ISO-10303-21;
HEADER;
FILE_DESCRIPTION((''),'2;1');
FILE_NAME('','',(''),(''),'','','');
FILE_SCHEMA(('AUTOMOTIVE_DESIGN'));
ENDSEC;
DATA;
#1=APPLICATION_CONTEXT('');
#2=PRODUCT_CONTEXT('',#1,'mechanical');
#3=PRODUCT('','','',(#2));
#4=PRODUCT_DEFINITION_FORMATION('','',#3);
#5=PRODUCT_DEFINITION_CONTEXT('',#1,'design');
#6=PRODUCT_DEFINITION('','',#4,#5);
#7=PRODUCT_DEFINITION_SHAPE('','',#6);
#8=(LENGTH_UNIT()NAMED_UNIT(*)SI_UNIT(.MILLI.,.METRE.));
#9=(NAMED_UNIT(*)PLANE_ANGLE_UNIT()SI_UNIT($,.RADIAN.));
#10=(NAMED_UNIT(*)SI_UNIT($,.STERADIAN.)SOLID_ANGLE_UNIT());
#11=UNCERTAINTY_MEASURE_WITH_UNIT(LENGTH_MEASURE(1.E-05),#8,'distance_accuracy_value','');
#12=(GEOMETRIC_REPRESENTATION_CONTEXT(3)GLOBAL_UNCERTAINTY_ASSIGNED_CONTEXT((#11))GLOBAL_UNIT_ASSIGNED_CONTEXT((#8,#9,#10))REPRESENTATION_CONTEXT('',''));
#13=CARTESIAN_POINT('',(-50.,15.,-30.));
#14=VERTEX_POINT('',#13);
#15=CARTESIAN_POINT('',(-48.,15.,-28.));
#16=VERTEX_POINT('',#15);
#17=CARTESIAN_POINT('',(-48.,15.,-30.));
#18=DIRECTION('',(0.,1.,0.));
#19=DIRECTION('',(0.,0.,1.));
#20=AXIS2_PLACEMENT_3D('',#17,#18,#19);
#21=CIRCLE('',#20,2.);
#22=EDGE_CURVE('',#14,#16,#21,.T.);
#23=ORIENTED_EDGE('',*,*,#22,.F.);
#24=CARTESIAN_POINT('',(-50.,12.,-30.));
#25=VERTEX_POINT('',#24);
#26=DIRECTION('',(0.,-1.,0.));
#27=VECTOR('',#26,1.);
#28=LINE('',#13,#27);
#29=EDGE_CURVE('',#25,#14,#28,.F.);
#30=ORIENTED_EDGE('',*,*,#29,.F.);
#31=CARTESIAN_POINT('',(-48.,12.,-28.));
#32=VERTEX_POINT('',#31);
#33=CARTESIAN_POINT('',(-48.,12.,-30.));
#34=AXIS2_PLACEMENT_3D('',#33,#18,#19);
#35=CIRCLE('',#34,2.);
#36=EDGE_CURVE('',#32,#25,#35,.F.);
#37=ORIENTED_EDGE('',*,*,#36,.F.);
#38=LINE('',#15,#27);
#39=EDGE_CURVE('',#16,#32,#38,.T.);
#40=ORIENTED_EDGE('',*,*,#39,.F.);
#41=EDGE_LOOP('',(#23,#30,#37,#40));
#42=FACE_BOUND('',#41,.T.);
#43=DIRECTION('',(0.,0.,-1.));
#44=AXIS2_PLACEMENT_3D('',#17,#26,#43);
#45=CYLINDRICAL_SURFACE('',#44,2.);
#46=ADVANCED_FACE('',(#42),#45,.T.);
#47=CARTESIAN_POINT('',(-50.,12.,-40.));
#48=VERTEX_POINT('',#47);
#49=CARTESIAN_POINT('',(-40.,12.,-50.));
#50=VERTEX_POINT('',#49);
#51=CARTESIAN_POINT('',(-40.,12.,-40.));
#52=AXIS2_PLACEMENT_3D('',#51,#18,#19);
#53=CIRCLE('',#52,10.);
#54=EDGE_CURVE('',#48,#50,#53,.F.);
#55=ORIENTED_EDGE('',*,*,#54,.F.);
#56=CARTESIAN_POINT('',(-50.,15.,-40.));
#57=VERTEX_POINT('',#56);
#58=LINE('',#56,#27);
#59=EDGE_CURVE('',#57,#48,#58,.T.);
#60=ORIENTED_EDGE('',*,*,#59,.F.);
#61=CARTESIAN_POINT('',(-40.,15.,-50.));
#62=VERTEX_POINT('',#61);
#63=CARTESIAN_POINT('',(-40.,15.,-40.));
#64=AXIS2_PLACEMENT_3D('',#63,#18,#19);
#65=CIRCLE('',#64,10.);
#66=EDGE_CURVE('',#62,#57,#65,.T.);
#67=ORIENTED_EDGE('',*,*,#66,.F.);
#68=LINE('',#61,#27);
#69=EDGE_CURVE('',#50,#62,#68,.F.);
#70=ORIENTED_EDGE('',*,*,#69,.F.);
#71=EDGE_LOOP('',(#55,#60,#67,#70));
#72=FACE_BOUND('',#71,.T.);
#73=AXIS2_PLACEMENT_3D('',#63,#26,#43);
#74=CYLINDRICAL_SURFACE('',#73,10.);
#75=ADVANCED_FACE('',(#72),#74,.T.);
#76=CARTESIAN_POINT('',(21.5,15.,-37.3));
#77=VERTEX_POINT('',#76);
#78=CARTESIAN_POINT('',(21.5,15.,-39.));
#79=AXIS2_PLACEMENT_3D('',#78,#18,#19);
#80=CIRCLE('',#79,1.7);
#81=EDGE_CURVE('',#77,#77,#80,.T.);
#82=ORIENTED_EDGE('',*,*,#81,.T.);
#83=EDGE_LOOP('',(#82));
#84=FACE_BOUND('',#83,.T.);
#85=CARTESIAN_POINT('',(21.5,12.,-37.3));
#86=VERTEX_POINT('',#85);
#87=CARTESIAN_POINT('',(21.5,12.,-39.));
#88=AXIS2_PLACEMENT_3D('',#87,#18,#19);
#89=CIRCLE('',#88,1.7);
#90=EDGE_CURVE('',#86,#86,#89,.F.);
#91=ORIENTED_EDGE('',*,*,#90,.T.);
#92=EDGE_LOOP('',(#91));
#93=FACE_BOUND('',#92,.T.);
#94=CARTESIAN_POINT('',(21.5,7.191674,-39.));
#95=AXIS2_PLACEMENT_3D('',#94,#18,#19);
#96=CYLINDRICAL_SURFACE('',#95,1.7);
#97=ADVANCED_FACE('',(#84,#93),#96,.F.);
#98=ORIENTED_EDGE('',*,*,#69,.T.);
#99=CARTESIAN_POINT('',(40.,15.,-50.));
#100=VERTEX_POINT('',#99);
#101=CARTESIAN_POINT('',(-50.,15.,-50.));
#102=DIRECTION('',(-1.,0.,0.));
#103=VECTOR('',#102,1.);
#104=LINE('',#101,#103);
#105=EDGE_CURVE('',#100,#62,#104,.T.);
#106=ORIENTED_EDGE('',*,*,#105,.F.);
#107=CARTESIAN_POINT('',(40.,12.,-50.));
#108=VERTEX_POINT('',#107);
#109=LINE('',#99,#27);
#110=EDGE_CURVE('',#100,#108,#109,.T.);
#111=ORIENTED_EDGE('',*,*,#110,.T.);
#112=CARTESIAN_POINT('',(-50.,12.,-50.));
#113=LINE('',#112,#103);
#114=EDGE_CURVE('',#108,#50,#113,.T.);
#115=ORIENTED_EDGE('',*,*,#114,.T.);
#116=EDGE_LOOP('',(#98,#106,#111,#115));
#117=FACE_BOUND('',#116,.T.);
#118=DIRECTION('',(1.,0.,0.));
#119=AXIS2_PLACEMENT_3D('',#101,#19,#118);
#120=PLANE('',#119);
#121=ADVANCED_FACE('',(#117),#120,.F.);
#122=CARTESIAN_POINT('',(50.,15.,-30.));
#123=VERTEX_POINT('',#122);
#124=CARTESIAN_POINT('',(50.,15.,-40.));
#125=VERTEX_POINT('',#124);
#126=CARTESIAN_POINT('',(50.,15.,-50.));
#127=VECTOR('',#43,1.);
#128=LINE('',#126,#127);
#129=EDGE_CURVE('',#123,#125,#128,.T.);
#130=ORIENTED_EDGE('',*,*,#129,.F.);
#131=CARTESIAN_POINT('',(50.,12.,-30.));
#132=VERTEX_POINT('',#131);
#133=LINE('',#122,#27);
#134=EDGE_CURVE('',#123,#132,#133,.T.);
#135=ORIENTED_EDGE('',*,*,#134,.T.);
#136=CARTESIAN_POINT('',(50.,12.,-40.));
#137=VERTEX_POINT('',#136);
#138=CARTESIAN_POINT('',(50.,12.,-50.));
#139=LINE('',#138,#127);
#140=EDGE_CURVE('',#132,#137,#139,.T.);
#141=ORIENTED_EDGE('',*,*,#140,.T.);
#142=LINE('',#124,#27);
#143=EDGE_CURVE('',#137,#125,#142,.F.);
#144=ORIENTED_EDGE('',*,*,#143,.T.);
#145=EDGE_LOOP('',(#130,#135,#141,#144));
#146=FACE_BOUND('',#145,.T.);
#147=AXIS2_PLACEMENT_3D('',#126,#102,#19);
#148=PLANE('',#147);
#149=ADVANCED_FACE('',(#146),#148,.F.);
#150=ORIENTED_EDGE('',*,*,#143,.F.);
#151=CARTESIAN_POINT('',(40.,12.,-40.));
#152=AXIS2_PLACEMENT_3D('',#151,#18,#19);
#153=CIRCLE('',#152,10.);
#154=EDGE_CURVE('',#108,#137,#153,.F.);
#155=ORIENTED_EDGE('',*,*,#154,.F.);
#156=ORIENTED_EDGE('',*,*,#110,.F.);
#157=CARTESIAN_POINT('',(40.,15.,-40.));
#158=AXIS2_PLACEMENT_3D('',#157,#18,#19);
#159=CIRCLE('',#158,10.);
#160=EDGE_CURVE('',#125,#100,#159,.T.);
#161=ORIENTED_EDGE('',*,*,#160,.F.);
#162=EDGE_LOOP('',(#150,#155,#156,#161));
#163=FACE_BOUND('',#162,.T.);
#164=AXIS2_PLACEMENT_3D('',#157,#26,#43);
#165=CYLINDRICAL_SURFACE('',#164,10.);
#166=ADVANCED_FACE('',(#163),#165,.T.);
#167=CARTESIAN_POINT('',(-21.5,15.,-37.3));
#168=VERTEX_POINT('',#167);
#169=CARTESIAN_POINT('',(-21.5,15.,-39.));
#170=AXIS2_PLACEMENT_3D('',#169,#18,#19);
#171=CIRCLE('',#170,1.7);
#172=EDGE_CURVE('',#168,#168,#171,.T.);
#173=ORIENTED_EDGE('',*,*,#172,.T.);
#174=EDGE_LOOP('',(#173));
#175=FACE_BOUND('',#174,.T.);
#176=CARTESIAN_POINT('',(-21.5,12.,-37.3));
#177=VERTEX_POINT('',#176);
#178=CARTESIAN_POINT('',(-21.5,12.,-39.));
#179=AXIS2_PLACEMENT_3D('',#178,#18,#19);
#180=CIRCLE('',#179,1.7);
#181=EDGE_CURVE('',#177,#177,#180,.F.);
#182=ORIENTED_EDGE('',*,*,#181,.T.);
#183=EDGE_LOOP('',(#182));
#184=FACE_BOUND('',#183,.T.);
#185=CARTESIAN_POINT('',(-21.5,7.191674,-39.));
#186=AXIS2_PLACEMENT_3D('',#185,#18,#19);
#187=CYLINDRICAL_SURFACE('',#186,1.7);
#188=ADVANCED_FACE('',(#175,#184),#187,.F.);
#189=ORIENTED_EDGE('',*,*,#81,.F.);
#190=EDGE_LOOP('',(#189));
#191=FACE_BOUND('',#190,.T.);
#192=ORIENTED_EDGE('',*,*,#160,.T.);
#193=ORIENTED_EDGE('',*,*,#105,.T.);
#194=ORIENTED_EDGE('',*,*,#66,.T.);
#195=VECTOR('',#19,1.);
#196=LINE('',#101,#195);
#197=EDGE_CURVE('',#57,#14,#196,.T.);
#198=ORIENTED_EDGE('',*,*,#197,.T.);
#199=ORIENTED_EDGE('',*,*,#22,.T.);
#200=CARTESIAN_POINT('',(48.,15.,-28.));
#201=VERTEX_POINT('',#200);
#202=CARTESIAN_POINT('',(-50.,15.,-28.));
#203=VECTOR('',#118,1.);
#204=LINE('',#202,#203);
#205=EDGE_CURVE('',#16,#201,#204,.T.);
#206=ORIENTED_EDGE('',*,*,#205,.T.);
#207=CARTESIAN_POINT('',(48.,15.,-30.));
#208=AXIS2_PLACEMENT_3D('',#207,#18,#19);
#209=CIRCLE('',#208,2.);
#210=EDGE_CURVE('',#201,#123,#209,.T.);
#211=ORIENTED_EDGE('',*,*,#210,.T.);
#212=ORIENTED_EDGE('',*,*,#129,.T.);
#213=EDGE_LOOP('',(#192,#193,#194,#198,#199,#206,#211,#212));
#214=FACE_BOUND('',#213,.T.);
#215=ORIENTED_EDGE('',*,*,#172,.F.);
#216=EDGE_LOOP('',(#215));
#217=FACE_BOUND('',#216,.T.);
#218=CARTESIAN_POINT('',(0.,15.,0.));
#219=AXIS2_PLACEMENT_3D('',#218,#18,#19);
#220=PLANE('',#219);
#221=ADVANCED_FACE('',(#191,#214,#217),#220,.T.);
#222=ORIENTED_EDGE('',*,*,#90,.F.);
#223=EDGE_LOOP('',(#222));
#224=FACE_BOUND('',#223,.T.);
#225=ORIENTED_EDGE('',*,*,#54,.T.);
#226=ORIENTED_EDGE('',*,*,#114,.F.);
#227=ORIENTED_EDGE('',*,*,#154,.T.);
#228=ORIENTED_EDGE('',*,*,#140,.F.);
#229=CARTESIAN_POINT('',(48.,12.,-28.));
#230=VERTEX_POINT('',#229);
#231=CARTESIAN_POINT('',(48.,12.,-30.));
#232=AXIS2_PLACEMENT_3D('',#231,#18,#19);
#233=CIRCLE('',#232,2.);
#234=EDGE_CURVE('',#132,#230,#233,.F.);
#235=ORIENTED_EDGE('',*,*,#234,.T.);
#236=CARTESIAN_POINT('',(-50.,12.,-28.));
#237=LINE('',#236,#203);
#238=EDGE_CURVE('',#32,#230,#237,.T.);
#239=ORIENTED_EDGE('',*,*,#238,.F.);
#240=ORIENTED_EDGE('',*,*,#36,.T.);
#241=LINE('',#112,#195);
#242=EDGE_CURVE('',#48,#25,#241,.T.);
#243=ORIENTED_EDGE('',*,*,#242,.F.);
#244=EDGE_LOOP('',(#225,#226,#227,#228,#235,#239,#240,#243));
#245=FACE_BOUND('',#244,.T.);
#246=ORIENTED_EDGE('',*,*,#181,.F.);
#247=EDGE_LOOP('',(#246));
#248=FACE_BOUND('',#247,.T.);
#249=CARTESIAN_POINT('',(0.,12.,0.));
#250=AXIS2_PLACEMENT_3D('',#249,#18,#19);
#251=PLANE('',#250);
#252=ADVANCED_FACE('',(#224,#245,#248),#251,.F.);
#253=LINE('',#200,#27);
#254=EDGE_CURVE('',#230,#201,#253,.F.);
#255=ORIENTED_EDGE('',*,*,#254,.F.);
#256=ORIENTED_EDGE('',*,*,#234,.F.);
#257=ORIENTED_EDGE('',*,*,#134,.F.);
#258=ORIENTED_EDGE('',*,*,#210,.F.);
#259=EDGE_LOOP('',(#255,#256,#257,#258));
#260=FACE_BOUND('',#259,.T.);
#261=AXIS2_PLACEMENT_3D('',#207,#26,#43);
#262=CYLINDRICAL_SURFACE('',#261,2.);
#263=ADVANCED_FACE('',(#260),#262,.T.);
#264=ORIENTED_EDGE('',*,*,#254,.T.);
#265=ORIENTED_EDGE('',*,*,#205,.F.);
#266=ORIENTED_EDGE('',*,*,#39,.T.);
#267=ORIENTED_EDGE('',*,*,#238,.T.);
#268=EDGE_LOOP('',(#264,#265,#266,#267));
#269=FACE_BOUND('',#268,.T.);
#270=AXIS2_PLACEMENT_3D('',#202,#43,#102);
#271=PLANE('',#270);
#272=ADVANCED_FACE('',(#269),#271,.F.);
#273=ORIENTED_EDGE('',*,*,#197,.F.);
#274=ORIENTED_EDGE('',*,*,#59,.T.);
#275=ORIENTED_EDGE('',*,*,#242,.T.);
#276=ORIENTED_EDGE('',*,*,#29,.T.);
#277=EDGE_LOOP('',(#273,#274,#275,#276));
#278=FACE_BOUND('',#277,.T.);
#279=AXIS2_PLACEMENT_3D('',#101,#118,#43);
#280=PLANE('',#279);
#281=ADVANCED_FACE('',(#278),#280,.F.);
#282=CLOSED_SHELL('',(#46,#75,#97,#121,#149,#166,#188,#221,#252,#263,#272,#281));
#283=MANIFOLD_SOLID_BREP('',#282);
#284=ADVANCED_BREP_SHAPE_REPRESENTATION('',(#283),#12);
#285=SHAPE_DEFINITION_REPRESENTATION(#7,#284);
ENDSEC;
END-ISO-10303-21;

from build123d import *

# Parameters (mm, degrees)
SKETCH1_W           = 100
SKETCH1_H           = 22
BOSS_EXTRUDE1_DEPTH = 3
SKETCH2_R           = 1.7
CUT_EXTRUDE1_DEPTH  = 3
FILLET1_R           = 10
FILLET2_R           = 2


with BuildPart() as part:
    # Sketch1 → Boss-Extrude1 (new body)
    with BuildSketch(Plane(origin=(0, 12, 0), x_dir=(1, 0, 0), z_dir=(0, 1, 0))):
        with Locations((0, 39)):
            Rectangle(SKETCH1_W, SKETCH1_H)
    extrude(amount=BOSS_EXTRUDE1_DEPTH)

    # Sketch2 → Cut-Extrude1 (cut)
    with BuildSketch(Plane(origin=(0, 15, 0), x_dir=(1, 0, 0), z_dir=(0, 1, 0))):
        with Locations(Location((-21.5, 39, 0), (0, 0, 270))):
            Circle(SKETCH2_R)
        with Locations(Location((21.5, 39, 0), (0, 0, 270))):
            Circle(SKETCH2_R)
    extrude(amount=-CUT_EXTRUDE1_DEPTH, mode=Mode.SUBTRACT)

    # Fillet1
    fillet1_edges = [part.edges().sort_by_distance(p)[0] for p in [
        (-50, 13.5, -50),
        (50, 13.5, -50),
    ]]
    fillet(fillet1_edges, radius=FILLET1_R)

    # Fillet2
    fillet2_edges = [part.edges().sort_by_distance(p)[0] for p in [
        (50, 13.5, -28),
        (-50, 13.5, -28),
    ]]
    fillet(fillet2_edges, radius=FILLET2_R)


solid = part.part
